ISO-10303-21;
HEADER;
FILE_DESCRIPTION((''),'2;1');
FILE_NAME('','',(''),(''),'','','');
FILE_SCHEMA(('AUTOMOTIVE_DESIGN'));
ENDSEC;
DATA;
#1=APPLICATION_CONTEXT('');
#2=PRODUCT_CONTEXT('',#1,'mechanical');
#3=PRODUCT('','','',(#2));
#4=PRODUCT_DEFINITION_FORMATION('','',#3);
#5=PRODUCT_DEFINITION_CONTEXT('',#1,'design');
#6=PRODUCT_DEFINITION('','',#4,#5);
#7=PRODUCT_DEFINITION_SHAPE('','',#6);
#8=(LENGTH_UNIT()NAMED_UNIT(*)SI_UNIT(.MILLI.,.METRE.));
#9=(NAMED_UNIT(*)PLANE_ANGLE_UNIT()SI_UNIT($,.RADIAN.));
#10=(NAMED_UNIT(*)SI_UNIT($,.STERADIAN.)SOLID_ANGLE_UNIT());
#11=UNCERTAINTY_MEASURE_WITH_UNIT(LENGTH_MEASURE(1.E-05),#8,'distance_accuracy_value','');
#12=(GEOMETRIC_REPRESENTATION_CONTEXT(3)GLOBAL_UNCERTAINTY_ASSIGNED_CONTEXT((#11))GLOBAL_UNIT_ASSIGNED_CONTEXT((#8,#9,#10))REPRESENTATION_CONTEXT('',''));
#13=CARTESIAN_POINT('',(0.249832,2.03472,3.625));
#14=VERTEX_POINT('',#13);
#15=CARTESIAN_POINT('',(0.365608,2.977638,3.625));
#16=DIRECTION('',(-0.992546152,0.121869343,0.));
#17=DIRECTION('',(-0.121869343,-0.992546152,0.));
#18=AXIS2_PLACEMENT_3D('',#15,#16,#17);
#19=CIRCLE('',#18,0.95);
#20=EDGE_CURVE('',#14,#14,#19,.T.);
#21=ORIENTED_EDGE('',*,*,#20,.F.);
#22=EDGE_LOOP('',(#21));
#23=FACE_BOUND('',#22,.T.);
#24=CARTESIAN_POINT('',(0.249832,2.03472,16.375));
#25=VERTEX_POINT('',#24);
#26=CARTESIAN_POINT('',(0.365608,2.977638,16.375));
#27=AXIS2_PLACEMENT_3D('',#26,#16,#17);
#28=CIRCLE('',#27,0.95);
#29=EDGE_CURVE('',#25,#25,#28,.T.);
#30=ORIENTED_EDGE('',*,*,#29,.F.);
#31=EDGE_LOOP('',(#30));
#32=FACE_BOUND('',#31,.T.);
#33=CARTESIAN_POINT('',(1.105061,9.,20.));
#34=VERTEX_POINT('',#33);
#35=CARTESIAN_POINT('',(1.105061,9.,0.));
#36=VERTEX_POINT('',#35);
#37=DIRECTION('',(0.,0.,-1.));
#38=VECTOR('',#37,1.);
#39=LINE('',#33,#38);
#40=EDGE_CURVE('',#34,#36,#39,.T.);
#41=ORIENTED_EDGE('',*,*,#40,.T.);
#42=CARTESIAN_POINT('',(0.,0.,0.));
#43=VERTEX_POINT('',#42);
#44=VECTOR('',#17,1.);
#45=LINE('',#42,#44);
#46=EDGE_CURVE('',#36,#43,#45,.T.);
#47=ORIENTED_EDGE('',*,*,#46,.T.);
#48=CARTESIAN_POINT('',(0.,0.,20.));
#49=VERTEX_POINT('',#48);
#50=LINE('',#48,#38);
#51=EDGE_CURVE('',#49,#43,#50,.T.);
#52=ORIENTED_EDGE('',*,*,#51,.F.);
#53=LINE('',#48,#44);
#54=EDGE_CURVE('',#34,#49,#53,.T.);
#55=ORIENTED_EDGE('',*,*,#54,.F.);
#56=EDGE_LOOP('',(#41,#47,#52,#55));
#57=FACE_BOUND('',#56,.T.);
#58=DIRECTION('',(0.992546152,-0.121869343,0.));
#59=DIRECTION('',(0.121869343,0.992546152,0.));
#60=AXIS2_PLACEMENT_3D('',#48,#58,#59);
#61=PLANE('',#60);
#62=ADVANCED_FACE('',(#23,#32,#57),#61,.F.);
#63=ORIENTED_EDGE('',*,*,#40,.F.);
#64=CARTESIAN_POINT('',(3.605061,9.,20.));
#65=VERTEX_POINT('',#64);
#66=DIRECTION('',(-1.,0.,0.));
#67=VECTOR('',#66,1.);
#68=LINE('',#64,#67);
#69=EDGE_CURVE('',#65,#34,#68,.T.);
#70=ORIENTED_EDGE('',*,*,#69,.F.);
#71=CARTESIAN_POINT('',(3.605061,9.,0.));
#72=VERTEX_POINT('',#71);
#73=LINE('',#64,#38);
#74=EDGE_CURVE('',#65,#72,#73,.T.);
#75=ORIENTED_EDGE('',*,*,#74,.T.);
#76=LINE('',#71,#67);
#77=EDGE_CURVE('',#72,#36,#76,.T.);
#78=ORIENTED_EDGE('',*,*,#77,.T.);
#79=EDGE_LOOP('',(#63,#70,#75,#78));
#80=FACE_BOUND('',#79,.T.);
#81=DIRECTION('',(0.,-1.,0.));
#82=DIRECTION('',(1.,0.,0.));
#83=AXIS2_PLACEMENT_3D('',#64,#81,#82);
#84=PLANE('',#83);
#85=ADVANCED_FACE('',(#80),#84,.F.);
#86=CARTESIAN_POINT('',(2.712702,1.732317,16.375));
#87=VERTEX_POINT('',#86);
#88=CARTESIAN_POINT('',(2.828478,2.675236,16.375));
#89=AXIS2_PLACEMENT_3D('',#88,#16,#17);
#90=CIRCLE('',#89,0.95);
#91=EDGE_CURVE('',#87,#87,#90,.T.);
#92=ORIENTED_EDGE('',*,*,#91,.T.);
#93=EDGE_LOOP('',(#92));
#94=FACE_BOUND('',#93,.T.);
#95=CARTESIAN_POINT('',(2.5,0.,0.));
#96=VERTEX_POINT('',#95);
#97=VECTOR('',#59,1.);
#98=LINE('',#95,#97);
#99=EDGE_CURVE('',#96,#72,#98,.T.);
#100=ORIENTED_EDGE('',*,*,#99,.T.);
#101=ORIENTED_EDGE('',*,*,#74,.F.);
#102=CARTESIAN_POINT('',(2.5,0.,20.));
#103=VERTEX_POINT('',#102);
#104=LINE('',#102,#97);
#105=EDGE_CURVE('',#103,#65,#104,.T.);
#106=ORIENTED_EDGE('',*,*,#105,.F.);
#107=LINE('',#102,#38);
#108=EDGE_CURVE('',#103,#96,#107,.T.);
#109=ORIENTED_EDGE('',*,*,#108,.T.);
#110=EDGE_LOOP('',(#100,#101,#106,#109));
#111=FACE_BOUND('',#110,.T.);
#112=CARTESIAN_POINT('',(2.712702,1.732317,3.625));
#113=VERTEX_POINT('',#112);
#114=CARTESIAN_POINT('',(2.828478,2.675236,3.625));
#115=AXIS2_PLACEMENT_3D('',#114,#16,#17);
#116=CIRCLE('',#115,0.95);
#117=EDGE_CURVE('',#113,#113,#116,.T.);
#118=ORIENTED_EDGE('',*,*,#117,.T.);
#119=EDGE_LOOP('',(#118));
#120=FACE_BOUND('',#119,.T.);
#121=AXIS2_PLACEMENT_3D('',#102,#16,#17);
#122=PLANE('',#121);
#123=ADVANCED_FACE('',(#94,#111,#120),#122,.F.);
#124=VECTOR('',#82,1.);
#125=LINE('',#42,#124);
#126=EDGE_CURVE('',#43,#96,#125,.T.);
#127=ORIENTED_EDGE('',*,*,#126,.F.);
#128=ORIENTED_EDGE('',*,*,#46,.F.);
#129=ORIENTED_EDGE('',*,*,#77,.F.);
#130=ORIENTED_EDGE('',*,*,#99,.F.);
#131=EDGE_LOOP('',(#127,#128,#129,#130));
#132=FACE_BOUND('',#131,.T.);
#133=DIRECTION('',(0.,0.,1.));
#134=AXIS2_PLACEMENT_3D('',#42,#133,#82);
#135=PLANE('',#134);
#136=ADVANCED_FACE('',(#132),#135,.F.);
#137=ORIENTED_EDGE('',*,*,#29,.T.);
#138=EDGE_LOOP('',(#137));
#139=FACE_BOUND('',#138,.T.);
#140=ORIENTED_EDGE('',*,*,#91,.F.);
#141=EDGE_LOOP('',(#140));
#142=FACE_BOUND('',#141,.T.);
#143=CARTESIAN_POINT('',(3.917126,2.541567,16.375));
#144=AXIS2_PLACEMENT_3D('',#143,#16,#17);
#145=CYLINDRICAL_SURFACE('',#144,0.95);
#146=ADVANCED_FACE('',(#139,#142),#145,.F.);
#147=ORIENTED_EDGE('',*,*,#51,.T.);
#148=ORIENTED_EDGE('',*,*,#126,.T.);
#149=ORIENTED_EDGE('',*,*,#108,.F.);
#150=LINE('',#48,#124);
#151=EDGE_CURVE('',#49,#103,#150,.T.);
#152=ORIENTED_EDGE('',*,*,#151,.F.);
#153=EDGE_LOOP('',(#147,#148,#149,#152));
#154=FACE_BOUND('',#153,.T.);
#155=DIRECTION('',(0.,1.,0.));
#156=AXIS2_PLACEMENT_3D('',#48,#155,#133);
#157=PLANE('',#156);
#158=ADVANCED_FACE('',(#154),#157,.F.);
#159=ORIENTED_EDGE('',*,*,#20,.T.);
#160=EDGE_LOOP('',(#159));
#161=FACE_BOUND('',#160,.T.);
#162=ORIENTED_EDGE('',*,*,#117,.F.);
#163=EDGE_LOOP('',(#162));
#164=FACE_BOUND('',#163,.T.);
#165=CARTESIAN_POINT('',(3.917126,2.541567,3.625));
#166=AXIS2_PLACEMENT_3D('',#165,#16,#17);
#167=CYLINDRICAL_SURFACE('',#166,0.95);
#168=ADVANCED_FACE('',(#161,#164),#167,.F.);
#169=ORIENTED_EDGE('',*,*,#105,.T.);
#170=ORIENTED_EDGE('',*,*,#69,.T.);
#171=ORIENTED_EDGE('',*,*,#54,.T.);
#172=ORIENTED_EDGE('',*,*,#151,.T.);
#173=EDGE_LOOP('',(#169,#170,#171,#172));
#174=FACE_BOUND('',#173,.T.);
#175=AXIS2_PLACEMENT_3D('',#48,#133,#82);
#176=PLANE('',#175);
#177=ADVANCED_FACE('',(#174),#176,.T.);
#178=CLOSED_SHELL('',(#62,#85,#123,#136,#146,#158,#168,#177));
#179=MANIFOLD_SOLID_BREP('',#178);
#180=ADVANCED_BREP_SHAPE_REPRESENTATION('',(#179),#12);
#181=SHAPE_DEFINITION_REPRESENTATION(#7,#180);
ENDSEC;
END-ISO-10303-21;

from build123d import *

# Parameters (mm, degrees)
BOSS_EXTRUDE2_DEPTH = 20
SKETCH4_R           = 0.95
CUT_EXTRUDE1_DEPTH  = 4.57818947


with BuildPart() as part:
    # Sketch2 → Boss-Extrude2 (new body)
    with BuildSketch(Plane.XY):
        Polygon((0, 0), (2.5, 0), (3.605061048, 9), (1.105061048, 9), align=None)
    extrude(amount=BOSS_EXTRUDE2_DEPTH)

    # Sketch4 → Cut-Extrude1 (cut, through all)
    with BuildSketch(Plane(origin=(0, 0, 0), x_dir=(0, 0, 1), z_dir=(-0.992546152, 0.121869343, 0))):
        with Locations((3.625, 3)):
            Circle(SKETCH4_R)
        with Locations((16.375, 3)):
            Circle(SKETCH4_R)
    extrude(amount=-CUT_EXTRUDE1_DEPTH, mode=Mode.SUBTRACT)


solid = part.part
